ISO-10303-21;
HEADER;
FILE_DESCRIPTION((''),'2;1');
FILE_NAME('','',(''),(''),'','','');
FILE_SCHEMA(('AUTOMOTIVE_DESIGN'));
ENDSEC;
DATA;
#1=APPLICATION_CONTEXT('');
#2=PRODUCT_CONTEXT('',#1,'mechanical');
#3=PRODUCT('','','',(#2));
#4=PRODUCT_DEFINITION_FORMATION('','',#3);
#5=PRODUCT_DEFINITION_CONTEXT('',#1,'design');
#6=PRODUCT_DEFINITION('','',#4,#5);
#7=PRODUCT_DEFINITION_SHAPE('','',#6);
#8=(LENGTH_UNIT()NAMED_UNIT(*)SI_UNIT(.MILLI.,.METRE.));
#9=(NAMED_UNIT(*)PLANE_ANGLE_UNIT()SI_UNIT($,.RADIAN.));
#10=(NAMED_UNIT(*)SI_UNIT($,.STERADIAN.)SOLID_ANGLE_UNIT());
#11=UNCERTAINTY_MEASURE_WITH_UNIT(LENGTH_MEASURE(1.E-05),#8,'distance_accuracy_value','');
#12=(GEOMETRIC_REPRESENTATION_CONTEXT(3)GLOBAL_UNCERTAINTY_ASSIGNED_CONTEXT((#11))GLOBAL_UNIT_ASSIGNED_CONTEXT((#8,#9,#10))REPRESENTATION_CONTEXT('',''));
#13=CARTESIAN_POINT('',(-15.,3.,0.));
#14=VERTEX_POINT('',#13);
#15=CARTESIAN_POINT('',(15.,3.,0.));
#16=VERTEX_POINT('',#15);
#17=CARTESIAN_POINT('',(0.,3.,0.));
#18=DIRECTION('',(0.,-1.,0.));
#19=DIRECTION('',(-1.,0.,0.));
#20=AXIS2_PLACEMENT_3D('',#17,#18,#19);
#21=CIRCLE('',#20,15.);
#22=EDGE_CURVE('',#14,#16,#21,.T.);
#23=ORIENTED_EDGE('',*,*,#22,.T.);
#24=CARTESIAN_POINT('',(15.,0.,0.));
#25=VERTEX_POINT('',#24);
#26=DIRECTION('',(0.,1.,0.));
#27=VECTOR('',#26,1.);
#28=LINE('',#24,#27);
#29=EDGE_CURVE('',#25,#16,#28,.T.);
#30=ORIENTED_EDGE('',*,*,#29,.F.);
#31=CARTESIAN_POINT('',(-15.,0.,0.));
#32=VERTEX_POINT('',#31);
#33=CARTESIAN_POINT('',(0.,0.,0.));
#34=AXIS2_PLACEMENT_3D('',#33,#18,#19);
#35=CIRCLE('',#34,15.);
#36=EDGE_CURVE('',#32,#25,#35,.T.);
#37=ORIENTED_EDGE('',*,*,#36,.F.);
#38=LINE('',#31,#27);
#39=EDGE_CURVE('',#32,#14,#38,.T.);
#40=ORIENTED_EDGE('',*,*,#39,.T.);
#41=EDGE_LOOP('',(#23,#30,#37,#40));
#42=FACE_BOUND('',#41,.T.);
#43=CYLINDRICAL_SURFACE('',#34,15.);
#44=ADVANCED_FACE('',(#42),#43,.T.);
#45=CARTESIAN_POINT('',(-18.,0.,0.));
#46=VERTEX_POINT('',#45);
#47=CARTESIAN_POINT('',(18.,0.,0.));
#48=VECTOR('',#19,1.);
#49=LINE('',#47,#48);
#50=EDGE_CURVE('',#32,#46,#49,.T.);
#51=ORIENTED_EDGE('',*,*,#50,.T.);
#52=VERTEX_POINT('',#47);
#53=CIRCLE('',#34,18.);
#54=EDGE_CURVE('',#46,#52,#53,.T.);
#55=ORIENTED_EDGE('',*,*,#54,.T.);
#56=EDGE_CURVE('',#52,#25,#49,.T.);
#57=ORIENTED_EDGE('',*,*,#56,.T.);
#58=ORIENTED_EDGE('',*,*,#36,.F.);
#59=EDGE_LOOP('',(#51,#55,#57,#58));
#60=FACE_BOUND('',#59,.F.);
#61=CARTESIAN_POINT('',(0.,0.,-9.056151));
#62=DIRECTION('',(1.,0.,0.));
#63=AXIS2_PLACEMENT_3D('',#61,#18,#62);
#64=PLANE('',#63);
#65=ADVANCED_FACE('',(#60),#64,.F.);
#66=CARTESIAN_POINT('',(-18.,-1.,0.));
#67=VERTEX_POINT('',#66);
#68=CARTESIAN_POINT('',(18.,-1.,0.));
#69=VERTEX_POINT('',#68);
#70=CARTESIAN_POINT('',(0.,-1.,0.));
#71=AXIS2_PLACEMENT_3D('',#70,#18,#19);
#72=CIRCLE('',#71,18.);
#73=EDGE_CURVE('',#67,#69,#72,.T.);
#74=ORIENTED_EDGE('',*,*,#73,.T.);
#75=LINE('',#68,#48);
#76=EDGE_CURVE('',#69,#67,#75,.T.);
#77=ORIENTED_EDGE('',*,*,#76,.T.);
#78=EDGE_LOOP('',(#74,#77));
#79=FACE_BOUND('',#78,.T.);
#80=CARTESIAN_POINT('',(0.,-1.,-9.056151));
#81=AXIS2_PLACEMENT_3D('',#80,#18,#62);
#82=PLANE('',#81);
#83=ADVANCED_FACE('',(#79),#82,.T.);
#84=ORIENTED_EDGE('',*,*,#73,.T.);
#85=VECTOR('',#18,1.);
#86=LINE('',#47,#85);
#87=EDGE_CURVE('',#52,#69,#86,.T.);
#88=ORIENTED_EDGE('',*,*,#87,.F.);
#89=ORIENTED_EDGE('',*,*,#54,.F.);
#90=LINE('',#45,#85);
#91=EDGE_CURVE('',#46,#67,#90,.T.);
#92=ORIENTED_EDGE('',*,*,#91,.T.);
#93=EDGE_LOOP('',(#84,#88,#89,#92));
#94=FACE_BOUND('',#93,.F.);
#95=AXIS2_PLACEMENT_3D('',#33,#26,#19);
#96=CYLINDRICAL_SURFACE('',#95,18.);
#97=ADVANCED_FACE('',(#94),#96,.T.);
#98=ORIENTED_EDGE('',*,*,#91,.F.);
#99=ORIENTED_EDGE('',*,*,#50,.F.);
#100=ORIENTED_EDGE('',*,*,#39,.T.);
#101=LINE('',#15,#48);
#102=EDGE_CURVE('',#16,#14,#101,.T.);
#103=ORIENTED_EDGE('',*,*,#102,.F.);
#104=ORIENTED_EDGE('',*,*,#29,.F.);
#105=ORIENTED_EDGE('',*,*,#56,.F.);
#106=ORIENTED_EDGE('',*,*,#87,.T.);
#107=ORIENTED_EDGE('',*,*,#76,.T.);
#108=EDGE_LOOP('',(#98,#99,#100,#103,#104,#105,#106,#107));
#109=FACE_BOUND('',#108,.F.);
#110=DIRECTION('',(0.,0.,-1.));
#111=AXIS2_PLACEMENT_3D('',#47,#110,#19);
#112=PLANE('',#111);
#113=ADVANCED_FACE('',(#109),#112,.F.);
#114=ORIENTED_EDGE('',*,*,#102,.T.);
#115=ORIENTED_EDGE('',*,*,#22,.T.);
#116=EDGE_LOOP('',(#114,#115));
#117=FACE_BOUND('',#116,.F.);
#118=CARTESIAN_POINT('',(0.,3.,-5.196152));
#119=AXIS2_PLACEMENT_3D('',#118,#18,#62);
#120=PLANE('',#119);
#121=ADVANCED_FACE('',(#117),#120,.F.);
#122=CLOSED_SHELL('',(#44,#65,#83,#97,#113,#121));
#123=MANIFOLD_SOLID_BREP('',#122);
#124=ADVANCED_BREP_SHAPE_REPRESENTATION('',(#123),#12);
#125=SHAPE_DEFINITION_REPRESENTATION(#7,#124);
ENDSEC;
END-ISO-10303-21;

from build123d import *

# Parameters (mm, degrees)
F1_DEPTH = 3
F3_DEPTH = 1


with BuildPart() as f1:
    # F0 (on Front) → F1 (new body)
    with BuildSketch(Plane.XZ):
        with BuildLine():
            Line((15, 0), (-15, 0))
            ThreePointArc((-15, 0), (0, -15), (15, 0))
        make_face()
    extrude(amount=-F1_DEPTH)

    # F2 (on face) → F3 (join)
    with BuildSketch(Plane.XZ):
        with BuildLine():
            ThreePointArc((-18, 0), (0, -18), (18, 0))
            Line((18, 0), (15, 0))
            ThreePointArc((15, 0), (0, -15), (-15, 0))
            Line((-15, 0), (-18, 0))
        make_face()
        with BuildLine():
            ThreePointArc((-15, 0), (0, -15), (15, 0))
            Line((15, 0), (-15, 0))
        make_face()
    extrude(amount=F3_DEPTH)


solid = f1.part
